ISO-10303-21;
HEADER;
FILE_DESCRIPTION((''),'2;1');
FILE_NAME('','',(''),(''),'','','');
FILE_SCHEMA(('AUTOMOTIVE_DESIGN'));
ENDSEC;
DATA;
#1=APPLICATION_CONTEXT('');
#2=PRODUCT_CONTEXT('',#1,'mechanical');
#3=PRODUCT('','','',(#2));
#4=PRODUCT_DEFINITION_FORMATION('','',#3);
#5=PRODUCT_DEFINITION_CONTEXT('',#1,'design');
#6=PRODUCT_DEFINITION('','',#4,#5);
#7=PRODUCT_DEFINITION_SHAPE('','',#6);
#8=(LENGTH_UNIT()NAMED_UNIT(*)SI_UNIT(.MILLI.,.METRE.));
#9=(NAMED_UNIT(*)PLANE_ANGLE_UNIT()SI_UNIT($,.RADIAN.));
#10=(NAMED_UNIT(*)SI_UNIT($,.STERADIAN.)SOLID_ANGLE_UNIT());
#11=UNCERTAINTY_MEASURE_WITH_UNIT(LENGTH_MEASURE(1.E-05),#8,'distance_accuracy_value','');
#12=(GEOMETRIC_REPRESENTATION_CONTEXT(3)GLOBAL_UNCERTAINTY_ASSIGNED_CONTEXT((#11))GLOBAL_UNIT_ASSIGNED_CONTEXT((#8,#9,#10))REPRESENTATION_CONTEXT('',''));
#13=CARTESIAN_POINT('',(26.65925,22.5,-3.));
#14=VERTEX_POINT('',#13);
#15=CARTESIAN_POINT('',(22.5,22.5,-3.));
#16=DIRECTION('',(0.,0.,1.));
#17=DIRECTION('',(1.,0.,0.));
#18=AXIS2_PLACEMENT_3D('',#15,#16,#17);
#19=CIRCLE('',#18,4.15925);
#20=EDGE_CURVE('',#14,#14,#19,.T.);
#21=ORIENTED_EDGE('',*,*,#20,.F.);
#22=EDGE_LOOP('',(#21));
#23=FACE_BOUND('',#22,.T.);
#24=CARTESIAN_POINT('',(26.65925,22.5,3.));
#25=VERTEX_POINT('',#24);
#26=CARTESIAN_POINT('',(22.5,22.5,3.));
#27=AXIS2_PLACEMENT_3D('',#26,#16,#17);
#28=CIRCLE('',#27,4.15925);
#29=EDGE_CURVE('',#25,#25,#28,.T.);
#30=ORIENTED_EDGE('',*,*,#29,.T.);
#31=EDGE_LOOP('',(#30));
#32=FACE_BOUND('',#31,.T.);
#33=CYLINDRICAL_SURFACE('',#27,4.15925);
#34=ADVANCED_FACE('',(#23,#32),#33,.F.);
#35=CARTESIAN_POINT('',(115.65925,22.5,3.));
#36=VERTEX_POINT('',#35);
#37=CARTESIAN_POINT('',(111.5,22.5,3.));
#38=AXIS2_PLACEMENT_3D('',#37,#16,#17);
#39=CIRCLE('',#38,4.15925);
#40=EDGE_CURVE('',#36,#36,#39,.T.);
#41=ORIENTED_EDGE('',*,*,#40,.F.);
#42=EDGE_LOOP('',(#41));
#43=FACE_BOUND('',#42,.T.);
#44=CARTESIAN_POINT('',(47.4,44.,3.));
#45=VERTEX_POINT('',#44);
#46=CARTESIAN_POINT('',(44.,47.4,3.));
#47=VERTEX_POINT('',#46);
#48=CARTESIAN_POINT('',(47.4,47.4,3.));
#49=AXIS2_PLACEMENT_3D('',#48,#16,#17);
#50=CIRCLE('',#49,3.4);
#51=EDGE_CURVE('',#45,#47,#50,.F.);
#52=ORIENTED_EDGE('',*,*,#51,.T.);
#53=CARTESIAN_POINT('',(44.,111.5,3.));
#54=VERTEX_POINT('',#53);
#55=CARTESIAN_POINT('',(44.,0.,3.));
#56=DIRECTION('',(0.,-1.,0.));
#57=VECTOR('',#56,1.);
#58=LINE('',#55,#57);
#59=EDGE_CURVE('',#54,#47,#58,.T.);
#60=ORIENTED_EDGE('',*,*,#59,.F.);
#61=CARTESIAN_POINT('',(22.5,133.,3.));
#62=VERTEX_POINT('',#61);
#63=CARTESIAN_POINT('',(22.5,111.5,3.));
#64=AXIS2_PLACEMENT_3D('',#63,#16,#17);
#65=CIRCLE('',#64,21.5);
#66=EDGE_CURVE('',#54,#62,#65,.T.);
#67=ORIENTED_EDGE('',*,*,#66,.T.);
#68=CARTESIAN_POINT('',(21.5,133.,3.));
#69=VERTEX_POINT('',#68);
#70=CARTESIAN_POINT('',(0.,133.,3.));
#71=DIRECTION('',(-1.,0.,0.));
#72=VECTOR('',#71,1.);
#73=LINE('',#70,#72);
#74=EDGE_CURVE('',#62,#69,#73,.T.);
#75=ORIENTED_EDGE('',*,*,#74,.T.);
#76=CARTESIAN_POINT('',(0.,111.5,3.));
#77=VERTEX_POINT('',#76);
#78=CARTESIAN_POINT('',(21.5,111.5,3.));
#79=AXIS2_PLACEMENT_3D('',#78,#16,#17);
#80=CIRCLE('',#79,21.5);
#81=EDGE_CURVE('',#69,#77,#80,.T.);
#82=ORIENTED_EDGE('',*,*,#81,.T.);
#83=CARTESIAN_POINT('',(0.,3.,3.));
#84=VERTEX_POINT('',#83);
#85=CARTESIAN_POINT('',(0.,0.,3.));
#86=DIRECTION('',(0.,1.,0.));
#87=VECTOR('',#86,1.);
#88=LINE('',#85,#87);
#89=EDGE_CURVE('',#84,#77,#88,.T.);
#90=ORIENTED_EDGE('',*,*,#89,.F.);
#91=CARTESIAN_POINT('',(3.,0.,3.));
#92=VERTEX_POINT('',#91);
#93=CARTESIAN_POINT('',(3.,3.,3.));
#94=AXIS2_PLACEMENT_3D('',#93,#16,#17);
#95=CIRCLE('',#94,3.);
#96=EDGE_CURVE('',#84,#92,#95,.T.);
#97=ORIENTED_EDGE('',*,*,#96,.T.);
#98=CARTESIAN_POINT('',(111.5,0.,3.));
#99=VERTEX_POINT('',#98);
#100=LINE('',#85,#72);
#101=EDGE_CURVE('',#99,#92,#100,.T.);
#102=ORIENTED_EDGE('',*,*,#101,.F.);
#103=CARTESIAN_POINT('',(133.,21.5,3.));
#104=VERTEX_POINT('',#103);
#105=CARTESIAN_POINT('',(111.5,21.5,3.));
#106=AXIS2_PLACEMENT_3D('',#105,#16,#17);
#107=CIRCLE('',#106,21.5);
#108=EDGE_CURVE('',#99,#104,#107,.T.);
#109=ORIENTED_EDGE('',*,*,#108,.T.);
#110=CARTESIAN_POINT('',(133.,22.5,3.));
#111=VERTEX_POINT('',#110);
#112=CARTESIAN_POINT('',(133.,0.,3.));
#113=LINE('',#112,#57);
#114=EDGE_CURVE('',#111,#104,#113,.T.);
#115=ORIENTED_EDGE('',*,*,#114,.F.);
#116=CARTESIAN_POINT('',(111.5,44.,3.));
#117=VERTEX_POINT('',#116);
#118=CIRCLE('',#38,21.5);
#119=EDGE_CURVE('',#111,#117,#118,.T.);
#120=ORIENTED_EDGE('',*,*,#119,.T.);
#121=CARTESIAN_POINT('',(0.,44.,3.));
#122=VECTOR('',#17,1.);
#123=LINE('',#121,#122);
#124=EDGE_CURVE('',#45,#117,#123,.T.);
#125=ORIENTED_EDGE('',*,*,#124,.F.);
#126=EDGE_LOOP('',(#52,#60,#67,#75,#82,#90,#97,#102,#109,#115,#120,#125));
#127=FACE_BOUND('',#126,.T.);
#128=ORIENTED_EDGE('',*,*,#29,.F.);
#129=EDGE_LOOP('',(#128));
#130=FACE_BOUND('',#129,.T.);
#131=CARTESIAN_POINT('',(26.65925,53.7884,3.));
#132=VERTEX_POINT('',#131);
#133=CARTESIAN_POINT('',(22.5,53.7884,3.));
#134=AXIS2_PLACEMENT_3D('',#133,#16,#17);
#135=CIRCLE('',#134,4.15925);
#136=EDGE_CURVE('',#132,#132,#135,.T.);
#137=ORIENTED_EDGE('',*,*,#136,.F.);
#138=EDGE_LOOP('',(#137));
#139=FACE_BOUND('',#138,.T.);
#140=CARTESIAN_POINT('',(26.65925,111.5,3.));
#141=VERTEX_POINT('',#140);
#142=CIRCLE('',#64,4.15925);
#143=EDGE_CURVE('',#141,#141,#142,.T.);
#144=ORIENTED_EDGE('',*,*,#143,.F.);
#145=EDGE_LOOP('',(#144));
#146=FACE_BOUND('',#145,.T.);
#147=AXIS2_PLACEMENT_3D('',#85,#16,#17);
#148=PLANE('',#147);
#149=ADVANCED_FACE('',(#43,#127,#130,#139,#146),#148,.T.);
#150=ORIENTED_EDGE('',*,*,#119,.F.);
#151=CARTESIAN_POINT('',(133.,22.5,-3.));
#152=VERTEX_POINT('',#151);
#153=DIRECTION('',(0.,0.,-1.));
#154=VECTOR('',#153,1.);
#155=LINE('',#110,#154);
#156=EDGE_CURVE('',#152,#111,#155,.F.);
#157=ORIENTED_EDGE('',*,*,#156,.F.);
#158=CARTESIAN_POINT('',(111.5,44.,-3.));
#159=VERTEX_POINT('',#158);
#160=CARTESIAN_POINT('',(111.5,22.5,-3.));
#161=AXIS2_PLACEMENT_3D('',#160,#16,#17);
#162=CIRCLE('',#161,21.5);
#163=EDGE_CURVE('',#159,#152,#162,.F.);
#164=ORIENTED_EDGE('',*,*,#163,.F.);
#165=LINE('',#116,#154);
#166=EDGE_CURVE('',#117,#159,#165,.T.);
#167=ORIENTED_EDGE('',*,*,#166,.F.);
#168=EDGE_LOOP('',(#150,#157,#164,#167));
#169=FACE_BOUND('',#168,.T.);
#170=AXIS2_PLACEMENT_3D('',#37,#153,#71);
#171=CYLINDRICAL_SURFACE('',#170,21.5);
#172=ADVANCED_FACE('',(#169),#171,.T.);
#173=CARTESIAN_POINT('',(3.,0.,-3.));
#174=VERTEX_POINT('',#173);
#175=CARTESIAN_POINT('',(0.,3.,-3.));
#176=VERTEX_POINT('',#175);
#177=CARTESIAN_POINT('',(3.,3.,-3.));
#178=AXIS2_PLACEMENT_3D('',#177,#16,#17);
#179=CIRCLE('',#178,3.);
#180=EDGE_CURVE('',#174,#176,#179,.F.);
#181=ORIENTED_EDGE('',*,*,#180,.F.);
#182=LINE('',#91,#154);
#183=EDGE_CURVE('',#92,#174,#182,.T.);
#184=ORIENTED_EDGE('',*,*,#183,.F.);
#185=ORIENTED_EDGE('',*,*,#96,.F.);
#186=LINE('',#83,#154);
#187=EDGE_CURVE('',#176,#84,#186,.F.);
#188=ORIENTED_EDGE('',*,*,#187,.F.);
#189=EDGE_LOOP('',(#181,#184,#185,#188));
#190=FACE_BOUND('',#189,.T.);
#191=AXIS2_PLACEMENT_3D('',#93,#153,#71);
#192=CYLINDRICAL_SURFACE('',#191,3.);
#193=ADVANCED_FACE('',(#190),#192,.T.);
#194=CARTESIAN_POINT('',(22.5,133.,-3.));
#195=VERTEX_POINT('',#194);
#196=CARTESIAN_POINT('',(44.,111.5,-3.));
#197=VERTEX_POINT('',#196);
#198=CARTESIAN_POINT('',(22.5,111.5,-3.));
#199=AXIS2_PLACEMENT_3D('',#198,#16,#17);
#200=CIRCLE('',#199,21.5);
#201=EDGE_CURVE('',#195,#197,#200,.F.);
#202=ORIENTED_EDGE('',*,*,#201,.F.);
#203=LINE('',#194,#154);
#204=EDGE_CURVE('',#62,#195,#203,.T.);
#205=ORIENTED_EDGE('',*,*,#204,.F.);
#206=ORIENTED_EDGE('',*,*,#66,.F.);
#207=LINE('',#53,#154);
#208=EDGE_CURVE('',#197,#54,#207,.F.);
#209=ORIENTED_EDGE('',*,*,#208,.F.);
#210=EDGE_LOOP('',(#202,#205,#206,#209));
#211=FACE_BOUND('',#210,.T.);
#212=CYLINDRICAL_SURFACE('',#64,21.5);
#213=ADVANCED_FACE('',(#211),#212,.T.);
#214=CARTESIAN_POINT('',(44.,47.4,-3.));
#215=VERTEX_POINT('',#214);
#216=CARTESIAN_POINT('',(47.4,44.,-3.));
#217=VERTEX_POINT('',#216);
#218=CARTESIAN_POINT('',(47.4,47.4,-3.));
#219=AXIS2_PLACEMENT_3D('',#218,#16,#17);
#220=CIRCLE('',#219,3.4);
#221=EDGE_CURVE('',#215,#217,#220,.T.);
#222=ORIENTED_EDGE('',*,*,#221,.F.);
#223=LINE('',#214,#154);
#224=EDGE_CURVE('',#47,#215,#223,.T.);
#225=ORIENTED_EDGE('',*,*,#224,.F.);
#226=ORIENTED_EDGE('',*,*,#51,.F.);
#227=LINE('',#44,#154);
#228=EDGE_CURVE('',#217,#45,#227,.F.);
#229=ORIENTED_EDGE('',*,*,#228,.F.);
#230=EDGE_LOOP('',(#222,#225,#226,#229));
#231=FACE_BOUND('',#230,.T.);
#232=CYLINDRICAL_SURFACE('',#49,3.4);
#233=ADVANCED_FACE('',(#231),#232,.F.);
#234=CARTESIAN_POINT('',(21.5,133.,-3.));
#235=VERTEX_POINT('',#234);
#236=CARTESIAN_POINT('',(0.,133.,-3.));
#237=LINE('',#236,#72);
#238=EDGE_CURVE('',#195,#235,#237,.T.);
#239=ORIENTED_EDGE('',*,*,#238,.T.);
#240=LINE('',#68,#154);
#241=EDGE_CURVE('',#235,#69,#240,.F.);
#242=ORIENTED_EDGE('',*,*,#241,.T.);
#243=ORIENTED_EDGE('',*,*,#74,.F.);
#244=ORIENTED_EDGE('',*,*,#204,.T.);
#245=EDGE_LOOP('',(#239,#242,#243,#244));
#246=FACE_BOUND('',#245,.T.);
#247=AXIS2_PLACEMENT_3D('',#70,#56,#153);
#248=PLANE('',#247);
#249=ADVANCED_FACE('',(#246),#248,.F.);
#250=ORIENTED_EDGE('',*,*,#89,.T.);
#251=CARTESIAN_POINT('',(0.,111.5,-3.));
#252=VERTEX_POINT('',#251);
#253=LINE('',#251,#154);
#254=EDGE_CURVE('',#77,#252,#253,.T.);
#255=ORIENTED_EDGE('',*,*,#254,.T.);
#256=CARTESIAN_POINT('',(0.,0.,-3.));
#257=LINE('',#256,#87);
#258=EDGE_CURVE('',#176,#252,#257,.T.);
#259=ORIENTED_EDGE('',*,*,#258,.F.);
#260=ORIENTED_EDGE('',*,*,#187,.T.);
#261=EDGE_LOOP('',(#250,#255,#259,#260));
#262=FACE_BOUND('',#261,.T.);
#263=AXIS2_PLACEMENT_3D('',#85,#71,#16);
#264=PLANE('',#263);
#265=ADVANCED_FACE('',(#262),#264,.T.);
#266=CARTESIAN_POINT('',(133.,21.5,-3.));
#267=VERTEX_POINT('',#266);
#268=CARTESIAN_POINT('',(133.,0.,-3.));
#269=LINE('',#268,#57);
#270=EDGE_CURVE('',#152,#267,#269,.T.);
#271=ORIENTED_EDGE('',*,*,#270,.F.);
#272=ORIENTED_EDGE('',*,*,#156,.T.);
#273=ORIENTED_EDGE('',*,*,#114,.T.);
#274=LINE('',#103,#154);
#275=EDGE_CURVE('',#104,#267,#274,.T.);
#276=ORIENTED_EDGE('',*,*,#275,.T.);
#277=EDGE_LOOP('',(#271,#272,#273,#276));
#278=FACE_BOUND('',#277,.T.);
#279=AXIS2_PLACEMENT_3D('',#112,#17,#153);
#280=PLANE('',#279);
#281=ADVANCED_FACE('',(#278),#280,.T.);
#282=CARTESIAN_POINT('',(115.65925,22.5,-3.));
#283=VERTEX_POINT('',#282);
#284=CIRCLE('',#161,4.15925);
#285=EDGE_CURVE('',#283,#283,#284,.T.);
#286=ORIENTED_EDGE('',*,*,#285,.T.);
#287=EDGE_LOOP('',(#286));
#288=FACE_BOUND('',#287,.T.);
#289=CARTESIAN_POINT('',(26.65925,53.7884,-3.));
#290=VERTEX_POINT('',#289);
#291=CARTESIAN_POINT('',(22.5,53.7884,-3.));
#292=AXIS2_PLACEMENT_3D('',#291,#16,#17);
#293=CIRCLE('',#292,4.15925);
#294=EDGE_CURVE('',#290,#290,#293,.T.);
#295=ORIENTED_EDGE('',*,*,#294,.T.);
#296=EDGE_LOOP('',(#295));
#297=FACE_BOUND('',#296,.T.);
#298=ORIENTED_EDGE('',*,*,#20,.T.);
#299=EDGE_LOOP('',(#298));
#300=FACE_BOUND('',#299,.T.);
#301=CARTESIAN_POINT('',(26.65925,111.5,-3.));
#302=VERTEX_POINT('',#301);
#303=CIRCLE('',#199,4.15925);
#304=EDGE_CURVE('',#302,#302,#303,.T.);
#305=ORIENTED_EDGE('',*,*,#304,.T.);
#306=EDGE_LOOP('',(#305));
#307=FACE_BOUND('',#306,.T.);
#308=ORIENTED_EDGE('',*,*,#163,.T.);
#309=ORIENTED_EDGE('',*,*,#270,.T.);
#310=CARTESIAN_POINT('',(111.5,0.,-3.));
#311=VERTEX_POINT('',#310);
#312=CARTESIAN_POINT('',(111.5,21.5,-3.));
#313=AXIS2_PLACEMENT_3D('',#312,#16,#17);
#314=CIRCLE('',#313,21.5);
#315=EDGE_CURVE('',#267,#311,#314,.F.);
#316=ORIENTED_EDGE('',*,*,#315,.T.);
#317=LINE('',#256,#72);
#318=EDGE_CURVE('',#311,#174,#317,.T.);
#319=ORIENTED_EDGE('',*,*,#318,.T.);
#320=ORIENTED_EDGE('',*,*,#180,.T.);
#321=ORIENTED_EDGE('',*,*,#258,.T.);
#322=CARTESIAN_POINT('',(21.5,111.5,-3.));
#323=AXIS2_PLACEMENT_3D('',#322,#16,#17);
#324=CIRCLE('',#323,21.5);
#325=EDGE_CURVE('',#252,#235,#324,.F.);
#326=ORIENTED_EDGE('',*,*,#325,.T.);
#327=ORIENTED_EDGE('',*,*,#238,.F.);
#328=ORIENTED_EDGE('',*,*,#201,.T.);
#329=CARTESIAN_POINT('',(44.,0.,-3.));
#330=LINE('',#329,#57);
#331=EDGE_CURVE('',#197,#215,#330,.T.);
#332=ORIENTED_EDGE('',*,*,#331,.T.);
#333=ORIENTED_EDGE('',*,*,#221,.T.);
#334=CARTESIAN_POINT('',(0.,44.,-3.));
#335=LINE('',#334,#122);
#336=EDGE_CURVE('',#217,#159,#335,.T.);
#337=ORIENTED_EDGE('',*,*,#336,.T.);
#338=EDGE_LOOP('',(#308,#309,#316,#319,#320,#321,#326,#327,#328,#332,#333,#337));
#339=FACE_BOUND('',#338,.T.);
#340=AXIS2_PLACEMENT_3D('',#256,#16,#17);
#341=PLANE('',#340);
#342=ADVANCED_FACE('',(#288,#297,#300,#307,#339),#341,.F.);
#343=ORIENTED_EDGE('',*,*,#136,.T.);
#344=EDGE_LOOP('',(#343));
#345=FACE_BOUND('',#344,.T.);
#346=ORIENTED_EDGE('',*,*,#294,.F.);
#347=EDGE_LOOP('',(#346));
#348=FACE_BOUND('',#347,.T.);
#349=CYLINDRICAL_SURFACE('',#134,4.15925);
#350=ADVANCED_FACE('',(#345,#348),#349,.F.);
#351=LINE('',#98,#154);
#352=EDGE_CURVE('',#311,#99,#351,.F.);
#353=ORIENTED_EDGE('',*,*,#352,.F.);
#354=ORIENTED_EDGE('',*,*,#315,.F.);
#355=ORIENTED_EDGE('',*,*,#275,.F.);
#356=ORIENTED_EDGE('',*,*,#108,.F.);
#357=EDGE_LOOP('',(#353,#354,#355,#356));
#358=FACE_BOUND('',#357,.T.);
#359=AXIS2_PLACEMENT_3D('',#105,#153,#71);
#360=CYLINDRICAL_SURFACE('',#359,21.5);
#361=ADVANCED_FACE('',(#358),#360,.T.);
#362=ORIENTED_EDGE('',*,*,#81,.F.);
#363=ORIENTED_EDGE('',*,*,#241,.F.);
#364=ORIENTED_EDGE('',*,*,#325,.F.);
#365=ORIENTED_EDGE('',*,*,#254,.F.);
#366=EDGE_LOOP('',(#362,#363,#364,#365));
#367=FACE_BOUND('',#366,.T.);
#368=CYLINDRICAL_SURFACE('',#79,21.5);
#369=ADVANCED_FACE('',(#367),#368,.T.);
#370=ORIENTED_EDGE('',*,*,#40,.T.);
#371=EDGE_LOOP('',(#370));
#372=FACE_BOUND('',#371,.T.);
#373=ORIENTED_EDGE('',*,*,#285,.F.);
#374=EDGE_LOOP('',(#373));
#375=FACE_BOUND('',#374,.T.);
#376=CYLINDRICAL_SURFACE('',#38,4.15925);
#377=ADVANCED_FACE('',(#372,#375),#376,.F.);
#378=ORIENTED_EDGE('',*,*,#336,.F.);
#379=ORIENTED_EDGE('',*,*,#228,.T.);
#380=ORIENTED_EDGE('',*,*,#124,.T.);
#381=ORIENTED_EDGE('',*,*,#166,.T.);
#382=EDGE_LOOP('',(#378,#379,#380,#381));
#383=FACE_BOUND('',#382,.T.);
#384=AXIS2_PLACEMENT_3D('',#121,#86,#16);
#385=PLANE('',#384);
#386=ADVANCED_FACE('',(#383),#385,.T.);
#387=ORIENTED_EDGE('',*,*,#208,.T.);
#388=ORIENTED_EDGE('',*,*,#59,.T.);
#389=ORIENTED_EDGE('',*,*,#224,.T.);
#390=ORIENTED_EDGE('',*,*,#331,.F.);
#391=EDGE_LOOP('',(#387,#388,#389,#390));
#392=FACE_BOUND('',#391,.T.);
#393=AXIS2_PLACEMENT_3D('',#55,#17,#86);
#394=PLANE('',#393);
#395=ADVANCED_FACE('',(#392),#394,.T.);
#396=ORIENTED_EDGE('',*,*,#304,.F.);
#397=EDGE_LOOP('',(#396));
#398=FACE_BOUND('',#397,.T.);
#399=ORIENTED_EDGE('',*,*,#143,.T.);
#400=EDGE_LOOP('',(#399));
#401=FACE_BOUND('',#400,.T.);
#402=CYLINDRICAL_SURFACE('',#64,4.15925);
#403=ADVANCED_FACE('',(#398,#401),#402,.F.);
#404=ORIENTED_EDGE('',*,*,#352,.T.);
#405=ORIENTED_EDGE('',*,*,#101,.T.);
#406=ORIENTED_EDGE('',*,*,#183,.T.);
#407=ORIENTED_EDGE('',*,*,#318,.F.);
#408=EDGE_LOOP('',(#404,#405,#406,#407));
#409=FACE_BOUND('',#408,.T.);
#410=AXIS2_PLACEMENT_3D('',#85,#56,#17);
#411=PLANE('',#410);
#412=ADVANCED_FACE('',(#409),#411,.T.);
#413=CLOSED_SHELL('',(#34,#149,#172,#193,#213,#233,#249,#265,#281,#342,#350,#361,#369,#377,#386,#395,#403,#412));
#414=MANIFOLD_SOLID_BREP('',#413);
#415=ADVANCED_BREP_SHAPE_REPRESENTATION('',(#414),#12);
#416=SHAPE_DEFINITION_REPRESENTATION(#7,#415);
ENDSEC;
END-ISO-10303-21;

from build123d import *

# Parameters (mm, degrees)
BOSS_EXTRUDE1_DEPTH      = 3
FILLET4_R                = 21.5
FILLET5_R                = 3.4
FILLET6_R                = 3
F_5_16_CLEARANCE_HOLE1_D = 8.3185


with BuildPart() as part:
    # Sketch1 → Boss-Extrude1 (new, symmetric)
    with BuildSketch(Plane.XY):
        Polygon((0, 133), (0, 0), (133, 0), (133, 44), (44, 44), (44, 133), align=None)
    extrude(amount=BOSS_EXTRUDE1_DEPTH, both=True)

    # Fillet4
    fillet4_edges = [part.edges().sort_by_distance(p)[0] for p in [
        (133, 44, 0),
        (133, 0, 0),
        (0, 133, 0),
        (44, 133, 0),
    ]]
    fillet(fillet4_edges, radius=FILLET4_R)

    # Fillet5
    fillet5_edges = [part.edges().sort_by_distance(p)[0] for p in [
        (44, 44, 0),
    ]]
    fillet(fillet5_edges, radius=FILLET5_R)

    # Fillet6
    fillet6_edges = [part.edges().sort_by_distance(p)[0] for p in [
        (0, 0, 0),
    ]]
    fillet(fillet6_edges, radius=FILLET6_R)

    # 5/16 Clearance Hole1 (through all)
    with Locations(Plane.XY.offset(3)):
        with Locations((22.5, 111.5), (22.5, 53.7884), (22.5, 22.5), (111.5, 22.5)):
            Hole(F_5_16_CLEARANCE_HOLE1_D / 2)


solid = part.part
